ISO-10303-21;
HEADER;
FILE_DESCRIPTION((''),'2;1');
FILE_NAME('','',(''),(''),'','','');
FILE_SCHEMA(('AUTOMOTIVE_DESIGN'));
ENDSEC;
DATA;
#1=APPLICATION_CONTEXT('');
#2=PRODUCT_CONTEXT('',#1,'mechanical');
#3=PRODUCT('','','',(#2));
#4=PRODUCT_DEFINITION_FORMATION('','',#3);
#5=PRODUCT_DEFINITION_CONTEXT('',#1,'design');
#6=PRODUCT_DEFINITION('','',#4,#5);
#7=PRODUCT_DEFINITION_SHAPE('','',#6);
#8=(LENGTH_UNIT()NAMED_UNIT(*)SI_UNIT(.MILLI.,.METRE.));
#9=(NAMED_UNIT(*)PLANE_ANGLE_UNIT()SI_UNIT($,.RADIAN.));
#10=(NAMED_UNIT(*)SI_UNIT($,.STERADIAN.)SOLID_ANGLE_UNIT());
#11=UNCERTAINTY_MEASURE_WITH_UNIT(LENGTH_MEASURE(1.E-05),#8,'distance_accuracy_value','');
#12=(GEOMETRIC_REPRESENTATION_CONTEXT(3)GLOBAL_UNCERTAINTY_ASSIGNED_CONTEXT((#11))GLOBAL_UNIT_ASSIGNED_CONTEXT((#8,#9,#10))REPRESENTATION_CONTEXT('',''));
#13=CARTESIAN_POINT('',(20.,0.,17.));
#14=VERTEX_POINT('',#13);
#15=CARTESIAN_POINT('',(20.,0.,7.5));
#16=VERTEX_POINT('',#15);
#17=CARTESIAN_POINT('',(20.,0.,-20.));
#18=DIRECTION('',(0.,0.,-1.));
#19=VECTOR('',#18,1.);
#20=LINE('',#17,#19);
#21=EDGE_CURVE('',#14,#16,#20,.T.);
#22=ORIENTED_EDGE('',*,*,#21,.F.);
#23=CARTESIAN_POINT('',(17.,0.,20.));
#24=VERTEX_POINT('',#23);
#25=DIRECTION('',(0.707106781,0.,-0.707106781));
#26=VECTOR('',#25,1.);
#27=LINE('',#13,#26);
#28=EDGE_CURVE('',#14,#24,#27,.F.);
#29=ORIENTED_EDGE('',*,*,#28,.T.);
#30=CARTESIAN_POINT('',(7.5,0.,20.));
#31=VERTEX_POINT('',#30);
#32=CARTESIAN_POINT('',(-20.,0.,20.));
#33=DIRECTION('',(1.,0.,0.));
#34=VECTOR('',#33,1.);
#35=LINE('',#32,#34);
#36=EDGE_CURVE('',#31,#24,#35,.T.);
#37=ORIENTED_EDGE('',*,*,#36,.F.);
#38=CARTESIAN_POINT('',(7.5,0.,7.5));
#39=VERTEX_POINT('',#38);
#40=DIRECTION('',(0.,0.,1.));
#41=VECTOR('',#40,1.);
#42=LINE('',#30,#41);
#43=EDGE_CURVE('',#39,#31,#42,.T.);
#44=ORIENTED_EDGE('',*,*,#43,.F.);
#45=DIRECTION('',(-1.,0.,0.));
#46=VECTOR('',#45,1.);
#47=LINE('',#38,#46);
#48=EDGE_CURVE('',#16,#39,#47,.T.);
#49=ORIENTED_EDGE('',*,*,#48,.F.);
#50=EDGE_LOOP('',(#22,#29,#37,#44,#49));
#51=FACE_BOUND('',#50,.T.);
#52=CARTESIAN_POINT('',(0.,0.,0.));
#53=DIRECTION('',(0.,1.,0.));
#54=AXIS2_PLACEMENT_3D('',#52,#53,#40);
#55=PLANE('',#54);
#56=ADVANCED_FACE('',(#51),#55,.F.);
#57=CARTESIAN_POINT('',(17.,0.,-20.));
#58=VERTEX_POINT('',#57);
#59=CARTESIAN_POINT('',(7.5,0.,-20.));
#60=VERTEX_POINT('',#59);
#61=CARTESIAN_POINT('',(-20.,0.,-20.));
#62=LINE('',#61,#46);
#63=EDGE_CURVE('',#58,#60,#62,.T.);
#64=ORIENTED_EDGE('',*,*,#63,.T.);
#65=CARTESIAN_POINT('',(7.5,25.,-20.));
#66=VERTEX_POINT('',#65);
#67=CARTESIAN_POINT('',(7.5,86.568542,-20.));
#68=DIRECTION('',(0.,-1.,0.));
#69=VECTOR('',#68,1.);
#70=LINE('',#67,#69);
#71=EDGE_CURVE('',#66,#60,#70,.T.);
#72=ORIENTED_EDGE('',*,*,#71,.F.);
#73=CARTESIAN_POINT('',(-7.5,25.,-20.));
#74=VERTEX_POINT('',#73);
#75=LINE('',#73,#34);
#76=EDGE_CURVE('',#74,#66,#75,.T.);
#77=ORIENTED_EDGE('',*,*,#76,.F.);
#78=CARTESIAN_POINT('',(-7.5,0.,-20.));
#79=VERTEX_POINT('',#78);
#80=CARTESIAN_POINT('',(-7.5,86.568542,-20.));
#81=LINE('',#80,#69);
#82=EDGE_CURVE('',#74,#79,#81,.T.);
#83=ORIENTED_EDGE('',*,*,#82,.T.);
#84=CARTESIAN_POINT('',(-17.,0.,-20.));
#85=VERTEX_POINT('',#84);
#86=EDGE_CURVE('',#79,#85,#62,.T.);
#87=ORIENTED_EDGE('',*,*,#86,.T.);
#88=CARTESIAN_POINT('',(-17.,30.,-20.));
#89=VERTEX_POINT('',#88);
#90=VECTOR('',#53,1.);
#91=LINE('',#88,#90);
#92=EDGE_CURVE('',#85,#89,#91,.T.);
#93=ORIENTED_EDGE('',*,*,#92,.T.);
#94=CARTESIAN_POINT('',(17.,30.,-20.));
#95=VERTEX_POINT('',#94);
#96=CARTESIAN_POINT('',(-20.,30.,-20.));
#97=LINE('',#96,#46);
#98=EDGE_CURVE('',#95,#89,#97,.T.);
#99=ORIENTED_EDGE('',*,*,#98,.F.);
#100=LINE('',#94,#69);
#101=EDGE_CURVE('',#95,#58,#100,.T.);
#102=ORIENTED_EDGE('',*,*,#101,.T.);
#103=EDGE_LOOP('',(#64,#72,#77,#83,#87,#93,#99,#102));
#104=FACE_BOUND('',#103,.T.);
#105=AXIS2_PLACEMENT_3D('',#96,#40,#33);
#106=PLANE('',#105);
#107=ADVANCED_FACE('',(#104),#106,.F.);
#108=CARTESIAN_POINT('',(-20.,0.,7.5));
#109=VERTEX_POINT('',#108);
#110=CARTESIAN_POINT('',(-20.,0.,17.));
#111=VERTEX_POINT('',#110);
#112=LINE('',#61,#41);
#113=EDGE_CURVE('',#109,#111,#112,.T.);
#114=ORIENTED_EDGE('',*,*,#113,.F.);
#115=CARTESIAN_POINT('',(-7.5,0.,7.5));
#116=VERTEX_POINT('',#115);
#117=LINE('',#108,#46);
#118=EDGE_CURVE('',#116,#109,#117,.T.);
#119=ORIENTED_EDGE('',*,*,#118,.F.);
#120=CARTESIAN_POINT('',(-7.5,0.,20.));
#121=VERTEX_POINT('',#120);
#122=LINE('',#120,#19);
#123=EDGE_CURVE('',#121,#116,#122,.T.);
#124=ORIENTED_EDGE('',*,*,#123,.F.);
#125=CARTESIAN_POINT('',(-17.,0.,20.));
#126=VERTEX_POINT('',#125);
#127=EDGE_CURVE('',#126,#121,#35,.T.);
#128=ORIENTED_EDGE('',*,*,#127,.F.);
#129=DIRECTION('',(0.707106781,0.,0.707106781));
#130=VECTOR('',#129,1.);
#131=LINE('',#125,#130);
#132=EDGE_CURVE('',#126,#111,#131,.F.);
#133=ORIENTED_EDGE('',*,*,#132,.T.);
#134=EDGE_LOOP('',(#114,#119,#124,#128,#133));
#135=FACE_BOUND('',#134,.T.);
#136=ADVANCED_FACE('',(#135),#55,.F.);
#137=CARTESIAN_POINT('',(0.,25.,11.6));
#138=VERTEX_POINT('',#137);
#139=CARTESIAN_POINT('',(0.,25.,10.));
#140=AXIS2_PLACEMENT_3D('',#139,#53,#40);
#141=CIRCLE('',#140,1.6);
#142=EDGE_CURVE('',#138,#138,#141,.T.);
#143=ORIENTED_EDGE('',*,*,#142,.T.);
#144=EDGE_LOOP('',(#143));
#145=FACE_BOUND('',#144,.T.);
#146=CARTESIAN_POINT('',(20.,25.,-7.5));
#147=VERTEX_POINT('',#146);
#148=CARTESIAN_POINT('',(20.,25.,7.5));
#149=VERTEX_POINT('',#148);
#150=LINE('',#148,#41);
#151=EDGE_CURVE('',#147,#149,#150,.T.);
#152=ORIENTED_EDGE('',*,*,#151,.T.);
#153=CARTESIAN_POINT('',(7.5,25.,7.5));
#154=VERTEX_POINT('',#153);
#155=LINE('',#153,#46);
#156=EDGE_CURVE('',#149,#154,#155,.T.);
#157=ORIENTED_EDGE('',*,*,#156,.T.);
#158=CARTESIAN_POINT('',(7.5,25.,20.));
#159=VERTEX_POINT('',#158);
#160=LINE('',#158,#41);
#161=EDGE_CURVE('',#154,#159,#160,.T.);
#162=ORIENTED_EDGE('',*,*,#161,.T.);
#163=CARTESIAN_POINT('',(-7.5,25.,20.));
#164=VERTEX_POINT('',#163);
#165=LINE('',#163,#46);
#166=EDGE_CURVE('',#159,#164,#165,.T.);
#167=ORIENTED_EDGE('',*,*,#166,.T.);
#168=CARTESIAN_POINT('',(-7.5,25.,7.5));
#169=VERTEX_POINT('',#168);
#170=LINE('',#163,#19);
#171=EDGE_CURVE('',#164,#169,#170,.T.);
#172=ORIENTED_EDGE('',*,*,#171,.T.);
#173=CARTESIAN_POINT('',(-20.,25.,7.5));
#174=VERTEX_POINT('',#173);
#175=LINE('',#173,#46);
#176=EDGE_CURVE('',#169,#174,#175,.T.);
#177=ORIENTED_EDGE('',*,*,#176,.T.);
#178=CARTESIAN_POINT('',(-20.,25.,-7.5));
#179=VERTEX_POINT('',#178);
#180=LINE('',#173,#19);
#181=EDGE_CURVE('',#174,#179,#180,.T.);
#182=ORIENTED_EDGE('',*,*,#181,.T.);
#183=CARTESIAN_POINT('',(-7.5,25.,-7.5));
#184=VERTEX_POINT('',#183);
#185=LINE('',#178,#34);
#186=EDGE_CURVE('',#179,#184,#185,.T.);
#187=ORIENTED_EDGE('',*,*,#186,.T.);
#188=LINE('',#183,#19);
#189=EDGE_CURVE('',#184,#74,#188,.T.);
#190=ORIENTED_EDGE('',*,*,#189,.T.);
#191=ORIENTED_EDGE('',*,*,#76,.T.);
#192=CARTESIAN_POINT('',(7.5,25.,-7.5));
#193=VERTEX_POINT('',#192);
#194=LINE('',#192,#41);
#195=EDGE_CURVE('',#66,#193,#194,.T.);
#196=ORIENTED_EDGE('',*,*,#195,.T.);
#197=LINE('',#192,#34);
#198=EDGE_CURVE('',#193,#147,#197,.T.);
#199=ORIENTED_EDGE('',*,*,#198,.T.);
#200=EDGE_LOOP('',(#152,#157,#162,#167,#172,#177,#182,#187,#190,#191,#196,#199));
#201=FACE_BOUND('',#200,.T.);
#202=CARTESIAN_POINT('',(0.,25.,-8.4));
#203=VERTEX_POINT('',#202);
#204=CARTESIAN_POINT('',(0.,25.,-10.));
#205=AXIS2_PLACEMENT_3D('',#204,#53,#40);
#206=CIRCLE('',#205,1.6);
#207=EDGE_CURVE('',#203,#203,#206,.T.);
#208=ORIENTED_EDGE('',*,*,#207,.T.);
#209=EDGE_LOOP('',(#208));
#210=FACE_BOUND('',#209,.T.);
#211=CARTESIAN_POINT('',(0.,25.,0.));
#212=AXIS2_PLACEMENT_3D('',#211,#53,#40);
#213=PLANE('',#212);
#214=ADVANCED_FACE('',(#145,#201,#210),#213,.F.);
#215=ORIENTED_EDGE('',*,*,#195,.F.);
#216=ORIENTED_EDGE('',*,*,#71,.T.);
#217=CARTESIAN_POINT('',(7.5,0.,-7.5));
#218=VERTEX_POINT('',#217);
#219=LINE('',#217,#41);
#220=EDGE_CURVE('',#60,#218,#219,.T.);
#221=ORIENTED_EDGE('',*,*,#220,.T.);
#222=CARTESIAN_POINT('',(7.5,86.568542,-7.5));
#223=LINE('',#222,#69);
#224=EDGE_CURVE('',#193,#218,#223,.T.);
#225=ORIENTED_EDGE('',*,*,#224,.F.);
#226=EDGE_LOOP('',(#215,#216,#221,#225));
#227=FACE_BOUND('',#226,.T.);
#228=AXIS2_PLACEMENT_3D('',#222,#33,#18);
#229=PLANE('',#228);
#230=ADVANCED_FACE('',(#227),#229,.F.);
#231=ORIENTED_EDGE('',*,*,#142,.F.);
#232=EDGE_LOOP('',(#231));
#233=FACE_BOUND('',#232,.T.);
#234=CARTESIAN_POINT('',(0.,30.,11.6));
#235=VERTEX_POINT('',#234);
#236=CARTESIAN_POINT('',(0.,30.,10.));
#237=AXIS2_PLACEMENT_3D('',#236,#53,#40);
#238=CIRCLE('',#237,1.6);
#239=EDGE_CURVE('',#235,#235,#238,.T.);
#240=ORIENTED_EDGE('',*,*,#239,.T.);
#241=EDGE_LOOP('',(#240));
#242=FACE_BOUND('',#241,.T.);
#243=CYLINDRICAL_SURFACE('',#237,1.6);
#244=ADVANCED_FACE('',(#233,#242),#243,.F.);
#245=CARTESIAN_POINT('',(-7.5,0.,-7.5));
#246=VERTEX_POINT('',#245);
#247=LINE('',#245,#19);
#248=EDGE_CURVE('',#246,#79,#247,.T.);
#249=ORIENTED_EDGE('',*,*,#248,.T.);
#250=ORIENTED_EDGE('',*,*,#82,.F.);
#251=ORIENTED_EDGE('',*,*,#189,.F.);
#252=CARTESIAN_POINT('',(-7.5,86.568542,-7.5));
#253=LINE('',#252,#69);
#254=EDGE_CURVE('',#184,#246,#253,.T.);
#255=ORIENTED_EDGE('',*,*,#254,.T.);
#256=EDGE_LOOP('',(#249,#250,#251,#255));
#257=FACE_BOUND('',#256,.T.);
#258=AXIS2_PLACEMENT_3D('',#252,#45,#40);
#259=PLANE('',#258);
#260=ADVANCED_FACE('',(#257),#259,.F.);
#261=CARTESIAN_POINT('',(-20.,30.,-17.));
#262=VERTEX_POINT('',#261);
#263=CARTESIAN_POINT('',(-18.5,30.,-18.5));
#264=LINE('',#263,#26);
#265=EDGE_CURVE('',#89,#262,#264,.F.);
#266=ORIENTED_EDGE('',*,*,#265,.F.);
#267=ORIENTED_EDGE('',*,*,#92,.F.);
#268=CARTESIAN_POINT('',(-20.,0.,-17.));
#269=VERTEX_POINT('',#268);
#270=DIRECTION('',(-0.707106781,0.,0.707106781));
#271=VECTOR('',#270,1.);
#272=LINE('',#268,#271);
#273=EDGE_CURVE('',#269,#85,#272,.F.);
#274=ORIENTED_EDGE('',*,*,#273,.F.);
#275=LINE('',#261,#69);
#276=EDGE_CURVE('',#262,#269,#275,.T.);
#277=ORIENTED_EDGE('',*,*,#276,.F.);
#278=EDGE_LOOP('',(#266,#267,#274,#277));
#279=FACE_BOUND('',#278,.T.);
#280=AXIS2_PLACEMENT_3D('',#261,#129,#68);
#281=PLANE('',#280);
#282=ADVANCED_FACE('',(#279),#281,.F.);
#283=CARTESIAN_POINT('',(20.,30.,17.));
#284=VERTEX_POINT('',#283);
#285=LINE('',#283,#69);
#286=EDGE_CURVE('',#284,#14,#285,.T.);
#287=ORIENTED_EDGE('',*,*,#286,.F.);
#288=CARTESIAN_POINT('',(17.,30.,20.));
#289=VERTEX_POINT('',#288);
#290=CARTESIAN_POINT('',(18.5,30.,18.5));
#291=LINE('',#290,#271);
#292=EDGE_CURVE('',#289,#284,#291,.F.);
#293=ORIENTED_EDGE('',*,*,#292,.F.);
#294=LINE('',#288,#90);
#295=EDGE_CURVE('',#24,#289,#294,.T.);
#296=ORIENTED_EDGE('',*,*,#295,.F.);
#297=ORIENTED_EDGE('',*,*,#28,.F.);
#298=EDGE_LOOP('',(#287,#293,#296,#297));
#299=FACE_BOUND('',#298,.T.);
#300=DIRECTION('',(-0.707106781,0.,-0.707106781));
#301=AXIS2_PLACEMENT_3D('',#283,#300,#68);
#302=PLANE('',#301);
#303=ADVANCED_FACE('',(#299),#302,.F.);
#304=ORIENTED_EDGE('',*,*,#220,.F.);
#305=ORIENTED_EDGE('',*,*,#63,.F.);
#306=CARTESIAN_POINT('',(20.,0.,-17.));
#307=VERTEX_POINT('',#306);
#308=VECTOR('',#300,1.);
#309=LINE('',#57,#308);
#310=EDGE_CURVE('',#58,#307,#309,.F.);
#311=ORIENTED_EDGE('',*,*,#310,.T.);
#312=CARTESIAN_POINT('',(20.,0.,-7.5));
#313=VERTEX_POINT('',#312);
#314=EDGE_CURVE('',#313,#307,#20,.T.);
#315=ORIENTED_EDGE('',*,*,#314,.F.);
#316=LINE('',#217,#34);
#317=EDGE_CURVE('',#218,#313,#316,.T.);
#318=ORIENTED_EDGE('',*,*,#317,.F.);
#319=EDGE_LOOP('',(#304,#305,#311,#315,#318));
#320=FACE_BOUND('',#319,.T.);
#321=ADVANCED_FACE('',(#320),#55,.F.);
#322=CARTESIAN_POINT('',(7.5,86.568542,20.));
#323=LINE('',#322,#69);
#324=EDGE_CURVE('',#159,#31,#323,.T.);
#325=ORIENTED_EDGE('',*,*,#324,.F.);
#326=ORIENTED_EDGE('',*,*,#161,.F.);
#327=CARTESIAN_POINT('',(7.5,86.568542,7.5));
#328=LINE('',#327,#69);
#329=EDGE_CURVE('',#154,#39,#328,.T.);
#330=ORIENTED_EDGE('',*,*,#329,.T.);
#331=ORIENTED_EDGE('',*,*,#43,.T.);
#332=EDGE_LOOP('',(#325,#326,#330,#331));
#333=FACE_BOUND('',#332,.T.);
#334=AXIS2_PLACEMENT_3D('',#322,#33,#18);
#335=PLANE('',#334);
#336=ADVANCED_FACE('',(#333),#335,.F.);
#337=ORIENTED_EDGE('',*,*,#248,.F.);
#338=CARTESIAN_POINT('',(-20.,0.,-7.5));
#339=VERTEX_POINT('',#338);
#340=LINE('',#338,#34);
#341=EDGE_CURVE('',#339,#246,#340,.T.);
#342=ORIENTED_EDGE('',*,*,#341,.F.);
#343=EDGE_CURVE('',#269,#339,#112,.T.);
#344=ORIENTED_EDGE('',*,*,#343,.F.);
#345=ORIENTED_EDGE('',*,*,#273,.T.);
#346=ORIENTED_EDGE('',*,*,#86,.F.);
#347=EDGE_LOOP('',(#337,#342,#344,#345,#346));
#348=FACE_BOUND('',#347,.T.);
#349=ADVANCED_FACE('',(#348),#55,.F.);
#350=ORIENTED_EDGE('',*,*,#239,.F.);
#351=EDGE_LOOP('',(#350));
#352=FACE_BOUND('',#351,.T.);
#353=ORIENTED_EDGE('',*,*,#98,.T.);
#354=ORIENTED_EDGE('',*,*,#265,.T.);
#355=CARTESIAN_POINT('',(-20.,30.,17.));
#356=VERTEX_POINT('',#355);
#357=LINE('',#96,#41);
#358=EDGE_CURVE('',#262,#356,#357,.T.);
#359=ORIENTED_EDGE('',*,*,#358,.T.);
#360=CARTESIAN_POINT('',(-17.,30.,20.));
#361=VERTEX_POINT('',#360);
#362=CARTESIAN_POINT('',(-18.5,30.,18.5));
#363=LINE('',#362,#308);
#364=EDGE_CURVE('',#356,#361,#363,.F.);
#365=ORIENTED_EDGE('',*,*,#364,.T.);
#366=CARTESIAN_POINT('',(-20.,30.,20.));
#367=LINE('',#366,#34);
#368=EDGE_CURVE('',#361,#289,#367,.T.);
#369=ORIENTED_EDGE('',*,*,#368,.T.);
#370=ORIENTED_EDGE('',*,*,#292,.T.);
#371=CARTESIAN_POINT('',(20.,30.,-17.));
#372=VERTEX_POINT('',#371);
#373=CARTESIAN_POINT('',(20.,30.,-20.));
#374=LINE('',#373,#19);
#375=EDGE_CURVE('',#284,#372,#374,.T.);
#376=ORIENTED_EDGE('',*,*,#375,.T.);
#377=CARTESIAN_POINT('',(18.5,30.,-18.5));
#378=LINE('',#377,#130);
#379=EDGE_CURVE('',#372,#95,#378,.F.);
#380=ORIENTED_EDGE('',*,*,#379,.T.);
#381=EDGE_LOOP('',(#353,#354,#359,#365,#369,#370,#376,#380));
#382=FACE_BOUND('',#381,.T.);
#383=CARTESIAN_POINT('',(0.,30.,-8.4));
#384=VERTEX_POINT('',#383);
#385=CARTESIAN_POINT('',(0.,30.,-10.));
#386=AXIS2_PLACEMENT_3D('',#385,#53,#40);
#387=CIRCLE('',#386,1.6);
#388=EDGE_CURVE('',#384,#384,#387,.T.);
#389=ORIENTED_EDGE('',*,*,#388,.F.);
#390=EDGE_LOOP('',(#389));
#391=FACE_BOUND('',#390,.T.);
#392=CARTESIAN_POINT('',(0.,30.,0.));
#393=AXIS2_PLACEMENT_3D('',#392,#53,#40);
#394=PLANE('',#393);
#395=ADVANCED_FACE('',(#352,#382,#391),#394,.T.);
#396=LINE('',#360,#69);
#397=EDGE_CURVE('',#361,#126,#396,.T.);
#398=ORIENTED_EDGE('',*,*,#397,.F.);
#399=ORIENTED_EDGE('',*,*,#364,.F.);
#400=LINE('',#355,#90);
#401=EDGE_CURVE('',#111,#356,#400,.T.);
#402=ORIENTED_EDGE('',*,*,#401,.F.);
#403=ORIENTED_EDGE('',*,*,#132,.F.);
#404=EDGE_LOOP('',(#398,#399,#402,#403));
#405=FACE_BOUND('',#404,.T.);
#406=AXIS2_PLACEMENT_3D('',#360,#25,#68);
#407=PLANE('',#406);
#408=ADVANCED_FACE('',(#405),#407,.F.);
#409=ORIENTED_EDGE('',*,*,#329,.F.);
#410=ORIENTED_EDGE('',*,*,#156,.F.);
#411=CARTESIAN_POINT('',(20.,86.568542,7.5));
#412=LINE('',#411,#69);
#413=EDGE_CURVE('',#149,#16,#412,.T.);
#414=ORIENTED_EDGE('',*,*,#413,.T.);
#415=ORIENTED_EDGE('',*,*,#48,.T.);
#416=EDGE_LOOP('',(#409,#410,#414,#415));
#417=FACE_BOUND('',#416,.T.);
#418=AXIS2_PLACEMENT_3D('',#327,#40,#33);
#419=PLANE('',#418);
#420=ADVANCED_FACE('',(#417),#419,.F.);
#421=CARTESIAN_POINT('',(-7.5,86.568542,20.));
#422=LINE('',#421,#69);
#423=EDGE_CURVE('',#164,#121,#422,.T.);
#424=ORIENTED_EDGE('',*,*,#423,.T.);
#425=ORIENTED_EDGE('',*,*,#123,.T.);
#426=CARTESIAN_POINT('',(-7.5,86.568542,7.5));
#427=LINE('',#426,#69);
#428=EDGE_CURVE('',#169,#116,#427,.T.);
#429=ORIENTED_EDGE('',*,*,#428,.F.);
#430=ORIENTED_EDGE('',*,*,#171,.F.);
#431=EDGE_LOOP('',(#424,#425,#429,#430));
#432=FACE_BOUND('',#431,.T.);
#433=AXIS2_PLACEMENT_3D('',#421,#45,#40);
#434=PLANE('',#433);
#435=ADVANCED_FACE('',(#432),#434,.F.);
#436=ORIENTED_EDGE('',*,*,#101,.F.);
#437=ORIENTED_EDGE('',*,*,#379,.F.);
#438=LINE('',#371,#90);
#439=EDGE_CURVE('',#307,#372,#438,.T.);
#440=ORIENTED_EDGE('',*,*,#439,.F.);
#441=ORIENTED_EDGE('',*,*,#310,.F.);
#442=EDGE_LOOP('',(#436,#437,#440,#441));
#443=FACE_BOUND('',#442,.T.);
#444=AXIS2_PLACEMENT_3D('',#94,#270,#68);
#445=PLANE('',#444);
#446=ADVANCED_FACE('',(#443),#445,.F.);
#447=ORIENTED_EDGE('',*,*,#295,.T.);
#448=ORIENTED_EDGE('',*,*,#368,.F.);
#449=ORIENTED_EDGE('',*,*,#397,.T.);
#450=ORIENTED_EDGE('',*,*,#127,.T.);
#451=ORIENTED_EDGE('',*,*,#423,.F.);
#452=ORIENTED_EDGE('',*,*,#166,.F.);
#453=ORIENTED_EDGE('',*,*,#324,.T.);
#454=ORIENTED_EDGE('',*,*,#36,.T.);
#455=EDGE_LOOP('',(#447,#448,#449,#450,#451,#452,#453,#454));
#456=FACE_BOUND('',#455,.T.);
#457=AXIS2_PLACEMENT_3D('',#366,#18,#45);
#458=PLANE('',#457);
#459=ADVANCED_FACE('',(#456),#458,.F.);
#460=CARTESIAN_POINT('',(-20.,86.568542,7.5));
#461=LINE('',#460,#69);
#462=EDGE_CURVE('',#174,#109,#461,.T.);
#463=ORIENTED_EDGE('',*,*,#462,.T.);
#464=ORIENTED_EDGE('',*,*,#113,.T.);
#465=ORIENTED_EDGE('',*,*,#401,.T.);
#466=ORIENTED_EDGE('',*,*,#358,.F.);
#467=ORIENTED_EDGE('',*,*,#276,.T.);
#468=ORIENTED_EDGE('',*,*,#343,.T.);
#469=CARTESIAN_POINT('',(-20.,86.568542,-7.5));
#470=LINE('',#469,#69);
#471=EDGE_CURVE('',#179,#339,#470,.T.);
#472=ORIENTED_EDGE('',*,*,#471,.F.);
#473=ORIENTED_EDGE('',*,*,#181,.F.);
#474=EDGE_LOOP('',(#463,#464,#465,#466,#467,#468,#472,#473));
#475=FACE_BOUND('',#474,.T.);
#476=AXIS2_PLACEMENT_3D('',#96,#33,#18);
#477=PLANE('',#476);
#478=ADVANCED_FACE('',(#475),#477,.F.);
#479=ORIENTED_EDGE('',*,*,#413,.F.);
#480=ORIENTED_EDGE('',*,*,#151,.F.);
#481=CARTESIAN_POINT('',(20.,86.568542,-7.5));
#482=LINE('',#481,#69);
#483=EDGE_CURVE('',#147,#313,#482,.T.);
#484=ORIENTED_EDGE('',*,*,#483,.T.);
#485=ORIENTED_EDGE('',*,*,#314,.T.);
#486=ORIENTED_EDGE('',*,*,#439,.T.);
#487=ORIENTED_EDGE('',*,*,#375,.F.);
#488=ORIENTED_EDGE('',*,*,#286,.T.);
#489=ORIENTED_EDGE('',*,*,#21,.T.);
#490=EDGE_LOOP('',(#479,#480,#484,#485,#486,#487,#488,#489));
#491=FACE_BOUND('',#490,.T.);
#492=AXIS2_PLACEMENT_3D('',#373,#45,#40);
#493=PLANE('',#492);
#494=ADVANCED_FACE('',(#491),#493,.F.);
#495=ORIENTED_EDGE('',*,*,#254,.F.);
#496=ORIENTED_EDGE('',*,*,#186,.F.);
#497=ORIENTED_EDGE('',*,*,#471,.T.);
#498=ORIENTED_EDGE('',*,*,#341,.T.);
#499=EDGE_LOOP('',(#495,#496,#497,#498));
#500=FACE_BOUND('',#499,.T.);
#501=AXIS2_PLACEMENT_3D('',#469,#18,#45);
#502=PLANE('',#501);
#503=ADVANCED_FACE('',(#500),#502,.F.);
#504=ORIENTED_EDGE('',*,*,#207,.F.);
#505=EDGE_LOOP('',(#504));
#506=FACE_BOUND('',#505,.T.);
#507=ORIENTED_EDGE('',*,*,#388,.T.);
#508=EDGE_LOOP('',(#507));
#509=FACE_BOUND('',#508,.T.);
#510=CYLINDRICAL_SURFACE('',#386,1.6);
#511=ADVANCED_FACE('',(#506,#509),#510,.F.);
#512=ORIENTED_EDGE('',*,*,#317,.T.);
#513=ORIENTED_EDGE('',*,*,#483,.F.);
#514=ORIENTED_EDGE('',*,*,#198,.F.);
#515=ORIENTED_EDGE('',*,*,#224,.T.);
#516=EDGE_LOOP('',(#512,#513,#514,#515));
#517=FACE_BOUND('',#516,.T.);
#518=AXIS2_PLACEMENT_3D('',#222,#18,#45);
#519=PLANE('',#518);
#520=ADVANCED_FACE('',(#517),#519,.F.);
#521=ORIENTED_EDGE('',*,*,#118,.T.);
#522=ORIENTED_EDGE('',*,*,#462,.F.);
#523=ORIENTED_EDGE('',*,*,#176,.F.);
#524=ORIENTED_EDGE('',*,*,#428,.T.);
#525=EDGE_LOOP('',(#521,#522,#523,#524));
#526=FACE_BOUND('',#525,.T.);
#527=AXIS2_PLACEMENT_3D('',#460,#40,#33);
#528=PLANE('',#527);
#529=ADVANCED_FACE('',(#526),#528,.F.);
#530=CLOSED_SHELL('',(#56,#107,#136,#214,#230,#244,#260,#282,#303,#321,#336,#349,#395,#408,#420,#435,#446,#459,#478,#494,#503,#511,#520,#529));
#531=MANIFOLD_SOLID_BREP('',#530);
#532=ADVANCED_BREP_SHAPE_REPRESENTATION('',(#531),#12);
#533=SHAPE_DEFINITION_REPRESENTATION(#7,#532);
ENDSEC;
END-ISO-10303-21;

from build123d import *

# Parameters (mm, degrees)
SKIZZE1_W                       = 40
SKIZZE1_H                       = 40
AUFSATZ_LINEAR_AUSTRAGEN1_DEPTH = 30
FASE1_SIZE                      = 3
SCHNITT_LINEAR_AUSTRAGEN1_DEPTH = 25
DURCHGANGSLOCH_F_R_M31_D        = 3.2


with BuildPart() as part:
    # Skizze1 → Aufsatz-Linear austragen1 (new body)
    with BuildSketch(Plane(origin=(0, 0, 0), x_dir=(1, 0, 0), z_dir=(0, 1, 0))):
        Rectangle(SKIZZE1_W, SKIZZE1_H)
    extrude(amount=AUFSATZ_LINEAR_AUSTRAGEN1_DEPTH)

    # Fase1
    fase1_edges = [part.edges().sort_by_distance(p)[0] for p in [
        (-20, 15, -20),
        (20, 15, -20),
        (20, 15, 20),
        (-20, 15, 20),
    ]]
    chamfer(fase1_edges, length=FASE1_SIZE)

    # Skizze2 → Schnitt-Linear austragen1 (cut)
    with BuildSketch(Plane.XZ):
        Polygon((-20, 7.5), (-7.5, 7.5), (-7.5, 20), (7.5, 20), (7.5, 7.5), (20, 7.5), (20, -7.5), (7.5, -7.5), (7.5, -20), (-7.5, -20), (-7.5, -7.5), (-20, -7.5), align=None)
    extrude(amount=-SCHNITT_LINEAR_AUSTRAGEN1_DEPTH, mode=Mode.SUBTRACT)

    # Durchgangsloch für M31 (through all)
    with Locations(Plane(origin=(0, 30, 0), x_dir=(1, 0, 0), z_dir=(0, 1, 0))):
        with Locations((0, 10), (0, -10)):
            Hole(DURCHGANGSLOCH_F_R_M31_D / 2)


solid = part.part
